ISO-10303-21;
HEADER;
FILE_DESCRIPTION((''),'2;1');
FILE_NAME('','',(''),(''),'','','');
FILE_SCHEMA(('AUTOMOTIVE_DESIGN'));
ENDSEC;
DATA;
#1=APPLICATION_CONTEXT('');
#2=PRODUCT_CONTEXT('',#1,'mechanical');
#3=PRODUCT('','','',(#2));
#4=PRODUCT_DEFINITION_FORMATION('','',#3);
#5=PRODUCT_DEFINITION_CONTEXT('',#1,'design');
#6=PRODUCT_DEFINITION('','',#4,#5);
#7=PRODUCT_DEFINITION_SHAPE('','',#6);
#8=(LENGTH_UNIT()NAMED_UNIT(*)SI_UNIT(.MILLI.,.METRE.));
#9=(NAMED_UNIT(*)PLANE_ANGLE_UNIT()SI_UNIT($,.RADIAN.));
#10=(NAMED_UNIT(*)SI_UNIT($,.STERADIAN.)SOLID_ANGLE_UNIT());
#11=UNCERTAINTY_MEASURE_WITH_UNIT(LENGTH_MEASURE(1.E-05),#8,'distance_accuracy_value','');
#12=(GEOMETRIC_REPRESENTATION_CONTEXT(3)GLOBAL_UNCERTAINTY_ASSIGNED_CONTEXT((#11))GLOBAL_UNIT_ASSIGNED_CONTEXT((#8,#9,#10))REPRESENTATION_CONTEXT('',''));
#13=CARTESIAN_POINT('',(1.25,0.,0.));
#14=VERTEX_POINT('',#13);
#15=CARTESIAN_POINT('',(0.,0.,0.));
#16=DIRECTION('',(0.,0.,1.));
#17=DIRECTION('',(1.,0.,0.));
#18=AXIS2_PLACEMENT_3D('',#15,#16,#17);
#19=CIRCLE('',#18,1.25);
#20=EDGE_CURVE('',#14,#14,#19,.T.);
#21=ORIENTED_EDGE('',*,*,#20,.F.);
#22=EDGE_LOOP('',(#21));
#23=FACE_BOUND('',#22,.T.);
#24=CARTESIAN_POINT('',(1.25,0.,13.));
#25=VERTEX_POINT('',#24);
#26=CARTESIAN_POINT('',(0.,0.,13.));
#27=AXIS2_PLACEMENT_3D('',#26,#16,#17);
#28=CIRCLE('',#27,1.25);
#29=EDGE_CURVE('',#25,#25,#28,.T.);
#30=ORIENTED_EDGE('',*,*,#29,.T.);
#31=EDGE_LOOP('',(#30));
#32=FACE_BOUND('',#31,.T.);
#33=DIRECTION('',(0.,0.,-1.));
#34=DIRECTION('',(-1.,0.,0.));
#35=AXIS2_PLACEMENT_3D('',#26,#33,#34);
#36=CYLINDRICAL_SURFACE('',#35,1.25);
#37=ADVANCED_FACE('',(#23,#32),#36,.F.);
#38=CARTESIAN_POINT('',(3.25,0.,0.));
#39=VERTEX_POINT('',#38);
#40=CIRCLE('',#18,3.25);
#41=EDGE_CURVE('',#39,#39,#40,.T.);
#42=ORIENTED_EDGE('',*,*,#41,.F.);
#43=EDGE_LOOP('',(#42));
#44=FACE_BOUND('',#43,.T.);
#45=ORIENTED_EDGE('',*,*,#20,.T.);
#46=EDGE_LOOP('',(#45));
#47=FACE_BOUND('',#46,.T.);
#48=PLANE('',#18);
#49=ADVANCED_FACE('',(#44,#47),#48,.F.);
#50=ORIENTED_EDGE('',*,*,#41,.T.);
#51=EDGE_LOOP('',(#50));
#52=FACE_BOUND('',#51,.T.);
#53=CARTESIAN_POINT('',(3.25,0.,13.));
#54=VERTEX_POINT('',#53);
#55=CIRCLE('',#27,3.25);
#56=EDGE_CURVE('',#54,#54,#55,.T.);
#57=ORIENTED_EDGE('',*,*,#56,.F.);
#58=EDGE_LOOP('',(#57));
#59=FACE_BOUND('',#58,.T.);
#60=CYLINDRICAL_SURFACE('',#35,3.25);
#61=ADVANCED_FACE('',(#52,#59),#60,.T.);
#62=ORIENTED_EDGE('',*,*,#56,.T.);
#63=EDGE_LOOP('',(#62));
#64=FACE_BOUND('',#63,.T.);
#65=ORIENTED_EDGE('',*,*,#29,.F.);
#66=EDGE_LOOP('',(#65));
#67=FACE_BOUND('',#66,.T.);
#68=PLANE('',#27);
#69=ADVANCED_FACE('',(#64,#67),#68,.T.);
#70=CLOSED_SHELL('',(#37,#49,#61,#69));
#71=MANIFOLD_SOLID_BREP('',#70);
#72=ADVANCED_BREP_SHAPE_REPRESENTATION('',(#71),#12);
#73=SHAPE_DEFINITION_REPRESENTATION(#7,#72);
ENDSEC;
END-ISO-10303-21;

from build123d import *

# Parameters (mm, degrees)
SKETCH_1_R      = 3.25
SKETCH_1_R_2    = 1.25
EXTRUDE_1_DEPTH = 13


with BuildPart() as part:
    # 草图1 → 凸台-拉伸1 (new body)
    with BuildSketch(Plane.XY):
        Circle(SKETCH_1_R)
        Circle(SKETCH_1_R_2, mode=Mode.SUBTRACT)
    extrude(amount=EXTRUDE_1_DEPTH)


solid = part.part
